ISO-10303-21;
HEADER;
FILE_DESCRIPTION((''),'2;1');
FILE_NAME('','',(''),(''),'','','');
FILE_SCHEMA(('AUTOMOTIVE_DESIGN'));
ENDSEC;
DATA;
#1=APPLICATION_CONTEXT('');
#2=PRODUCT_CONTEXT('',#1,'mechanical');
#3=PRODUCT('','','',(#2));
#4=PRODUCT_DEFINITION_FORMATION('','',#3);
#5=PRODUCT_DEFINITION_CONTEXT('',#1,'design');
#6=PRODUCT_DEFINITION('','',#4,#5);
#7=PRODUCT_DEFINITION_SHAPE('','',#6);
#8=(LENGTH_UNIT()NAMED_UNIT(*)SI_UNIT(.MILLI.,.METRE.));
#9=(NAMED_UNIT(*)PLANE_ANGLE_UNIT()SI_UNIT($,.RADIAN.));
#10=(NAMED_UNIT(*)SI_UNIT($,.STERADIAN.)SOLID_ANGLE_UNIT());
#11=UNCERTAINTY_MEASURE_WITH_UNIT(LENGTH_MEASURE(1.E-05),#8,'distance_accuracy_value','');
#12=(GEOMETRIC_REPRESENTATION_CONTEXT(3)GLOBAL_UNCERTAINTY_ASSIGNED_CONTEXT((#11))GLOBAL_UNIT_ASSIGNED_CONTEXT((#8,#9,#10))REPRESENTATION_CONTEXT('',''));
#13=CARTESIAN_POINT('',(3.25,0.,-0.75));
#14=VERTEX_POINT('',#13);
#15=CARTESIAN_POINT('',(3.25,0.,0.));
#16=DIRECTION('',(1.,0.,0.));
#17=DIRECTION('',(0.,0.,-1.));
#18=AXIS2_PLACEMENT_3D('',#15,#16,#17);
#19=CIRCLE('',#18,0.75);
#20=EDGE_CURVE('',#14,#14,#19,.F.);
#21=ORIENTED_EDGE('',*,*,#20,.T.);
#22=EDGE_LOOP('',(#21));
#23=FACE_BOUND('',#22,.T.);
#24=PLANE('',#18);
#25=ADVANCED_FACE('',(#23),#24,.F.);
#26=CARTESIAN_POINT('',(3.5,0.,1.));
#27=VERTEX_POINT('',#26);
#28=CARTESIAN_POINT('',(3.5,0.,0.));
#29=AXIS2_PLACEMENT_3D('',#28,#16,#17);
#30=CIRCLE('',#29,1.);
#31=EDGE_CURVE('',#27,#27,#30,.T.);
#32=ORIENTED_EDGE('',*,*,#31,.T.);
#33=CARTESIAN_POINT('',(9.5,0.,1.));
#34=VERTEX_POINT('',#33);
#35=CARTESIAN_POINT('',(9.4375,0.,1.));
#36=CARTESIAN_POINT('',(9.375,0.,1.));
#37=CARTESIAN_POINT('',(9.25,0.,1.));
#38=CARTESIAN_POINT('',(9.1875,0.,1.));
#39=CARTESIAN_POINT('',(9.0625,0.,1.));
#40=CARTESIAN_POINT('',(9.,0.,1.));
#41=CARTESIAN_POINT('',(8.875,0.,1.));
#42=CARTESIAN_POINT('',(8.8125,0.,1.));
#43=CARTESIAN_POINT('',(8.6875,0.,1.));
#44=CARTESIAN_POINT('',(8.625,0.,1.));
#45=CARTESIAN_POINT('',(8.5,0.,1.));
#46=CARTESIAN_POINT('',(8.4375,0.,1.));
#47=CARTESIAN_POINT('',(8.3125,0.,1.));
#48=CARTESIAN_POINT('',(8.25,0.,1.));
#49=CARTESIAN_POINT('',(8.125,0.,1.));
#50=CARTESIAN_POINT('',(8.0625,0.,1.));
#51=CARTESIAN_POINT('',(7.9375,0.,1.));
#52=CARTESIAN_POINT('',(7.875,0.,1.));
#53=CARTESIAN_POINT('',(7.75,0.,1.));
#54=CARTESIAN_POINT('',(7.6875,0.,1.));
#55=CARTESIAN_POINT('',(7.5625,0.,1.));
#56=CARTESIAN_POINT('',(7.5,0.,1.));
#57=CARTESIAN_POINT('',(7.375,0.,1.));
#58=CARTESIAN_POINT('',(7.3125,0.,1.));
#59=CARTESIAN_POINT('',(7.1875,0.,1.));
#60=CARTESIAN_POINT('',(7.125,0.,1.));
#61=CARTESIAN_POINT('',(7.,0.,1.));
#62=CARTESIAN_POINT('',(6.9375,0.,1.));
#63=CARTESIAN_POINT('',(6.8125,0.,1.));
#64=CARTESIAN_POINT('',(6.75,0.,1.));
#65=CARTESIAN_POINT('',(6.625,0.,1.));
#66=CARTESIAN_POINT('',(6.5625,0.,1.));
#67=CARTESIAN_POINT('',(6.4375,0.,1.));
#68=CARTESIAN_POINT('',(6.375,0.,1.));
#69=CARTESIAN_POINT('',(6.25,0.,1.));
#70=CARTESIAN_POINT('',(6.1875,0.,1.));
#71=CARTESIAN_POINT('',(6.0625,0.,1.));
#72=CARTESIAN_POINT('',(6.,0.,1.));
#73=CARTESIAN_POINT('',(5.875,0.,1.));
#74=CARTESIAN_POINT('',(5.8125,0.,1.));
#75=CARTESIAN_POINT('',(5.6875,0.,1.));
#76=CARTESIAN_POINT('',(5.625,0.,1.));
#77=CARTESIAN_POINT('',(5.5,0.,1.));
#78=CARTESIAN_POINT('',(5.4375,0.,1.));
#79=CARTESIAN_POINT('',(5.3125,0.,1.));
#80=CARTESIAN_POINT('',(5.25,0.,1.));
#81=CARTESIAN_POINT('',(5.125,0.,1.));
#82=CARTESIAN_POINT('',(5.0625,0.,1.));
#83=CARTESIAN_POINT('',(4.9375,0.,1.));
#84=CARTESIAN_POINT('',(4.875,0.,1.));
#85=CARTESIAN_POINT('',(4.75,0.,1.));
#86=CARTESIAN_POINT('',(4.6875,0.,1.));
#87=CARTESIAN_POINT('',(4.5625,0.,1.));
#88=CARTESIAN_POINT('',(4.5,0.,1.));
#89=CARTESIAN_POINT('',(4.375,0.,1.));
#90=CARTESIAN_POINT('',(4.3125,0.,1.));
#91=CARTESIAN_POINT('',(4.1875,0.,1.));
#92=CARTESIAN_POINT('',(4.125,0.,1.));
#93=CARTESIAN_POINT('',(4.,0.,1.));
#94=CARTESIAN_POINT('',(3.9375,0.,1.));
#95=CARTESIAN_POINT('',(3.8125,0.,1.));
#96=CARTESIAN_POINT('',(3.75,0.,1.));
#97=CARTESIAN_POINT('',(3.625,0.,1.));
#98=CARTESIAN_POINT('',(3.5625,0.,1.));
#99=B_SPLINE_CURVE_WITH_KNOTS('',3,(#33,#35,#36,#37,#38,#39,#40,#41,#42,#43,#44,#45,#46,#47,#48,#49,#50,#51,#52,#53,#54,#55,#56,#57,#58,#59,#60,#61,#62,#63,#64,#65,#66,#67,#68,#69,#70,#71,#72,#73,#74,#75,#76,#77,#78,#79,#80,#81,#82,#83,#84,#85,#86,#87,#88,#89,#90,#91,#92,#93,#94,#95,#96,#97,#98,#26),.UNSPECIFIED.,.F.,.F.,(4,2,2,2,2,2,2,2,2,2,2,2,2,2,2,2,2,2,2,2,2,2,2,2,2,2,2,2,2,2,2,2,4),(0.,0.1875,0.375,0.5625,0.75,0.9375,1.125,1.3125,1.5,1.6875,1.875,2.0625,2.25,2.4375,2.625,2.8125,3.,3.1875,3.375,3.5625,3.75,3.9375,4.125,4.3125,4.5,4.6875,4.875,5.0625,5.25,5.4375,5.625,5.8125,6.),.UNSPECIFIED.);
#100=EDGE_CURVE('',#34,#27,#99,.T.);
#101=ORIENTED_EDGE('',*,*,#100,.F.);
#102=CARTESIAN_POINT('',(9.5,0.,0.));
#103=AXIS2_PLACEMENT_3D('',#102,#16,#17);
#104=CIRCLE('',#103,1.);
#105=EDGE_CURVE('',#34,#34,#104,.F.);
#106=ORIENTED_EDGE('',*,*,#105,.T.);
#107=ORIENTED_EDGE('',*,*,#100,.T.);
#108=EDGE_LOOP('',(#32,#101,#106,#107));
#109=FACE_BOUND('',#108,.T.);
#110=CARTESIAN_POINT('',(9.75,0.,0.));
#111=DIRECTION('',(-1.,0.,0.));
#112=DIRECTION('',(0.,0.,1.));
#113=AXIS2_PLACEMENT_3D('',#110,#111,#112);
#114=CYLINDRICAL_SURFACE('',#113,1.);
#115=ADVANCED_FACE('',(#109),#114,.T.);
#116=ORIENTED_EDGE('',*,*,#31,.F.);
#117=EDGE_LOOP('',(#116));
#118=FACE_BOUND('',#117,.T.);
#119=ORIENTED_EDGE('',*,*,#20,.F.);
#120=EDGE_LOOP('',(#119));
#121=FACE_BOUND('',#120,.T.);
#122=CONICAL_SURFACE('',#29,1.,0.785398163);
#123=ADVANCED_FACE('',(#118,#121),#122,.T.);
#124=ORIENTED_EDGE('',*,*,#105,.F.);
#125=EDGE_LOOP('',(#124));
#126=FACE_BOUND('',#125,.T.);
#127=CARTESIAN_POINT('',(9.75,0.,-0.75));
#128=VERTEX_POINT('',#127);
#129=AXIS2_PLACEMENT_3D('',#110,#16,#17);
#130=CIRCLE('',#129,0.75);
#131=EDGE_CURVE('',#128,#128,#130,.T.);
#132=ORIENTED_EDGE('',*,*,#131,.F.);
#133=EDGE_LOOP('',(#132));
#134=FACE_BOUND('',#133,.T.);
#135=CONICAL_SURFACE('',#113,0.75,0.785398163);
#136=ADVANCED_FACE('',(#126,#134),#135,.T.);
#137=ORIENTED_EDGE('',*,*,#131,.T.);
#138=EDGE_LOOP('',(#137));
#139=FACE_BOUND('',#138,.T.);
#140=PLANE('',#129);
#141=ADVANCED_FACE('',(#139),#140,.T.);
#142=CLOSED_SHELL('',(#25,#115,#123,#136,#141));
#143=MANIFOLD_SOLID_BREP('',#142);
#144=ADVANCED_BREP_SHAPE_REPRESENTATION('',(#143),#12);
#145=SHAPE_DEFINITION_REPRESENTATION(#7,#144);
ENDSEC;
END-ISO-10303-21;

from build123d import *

# Parameters (mm, degrees)
SKETCH2_R           = 2
BOSS_EXTRUDE1_DEPTH = 13
CHAMFER1_SIZE       = 0.5
ECHELLE1_SCALE      = 2
ECHELLE2_SCALE      = 0.25


with BuildPart() as part:
    # Sketch2 → Boss-Extrude1 (new body)
    with BuildSketch(Plane(origin=(0, 0, 0), x_dir=(0, 0, -1), z_dir=(1, 0, 0))):
        with Locations(Location((0, 0, 0), (0, 0, 180))):
            Circle(SKETCH2_R)
    extrude(amount=BOSS_EXTRUDE1_DEPTH)

    # Chamfer1
    chamfer1_edges = [part.edges().sort_by_distance(p)[0] for p in [
        (0, 0, -2),
        (13, 0, -2),
    ]]
    chamfer(chamfer1_edges, length=CHAMFER1_SIZE)


with BuildPart() as part_1:
    # Echelle1: scaled about (6.5, 0, 0)
    add(part.part.scale(ECHELLE1_SCALE).moved(Location((-6.5, 0, 0))))


with BuildPart() as part_2:
    # Echelle2: scaled about (6.5, 0, 0)
    add(part_1.part.scale(ECHELLE2_SCALE).moved(Location((4.875, 0, 0))))


solid = part_2.part
